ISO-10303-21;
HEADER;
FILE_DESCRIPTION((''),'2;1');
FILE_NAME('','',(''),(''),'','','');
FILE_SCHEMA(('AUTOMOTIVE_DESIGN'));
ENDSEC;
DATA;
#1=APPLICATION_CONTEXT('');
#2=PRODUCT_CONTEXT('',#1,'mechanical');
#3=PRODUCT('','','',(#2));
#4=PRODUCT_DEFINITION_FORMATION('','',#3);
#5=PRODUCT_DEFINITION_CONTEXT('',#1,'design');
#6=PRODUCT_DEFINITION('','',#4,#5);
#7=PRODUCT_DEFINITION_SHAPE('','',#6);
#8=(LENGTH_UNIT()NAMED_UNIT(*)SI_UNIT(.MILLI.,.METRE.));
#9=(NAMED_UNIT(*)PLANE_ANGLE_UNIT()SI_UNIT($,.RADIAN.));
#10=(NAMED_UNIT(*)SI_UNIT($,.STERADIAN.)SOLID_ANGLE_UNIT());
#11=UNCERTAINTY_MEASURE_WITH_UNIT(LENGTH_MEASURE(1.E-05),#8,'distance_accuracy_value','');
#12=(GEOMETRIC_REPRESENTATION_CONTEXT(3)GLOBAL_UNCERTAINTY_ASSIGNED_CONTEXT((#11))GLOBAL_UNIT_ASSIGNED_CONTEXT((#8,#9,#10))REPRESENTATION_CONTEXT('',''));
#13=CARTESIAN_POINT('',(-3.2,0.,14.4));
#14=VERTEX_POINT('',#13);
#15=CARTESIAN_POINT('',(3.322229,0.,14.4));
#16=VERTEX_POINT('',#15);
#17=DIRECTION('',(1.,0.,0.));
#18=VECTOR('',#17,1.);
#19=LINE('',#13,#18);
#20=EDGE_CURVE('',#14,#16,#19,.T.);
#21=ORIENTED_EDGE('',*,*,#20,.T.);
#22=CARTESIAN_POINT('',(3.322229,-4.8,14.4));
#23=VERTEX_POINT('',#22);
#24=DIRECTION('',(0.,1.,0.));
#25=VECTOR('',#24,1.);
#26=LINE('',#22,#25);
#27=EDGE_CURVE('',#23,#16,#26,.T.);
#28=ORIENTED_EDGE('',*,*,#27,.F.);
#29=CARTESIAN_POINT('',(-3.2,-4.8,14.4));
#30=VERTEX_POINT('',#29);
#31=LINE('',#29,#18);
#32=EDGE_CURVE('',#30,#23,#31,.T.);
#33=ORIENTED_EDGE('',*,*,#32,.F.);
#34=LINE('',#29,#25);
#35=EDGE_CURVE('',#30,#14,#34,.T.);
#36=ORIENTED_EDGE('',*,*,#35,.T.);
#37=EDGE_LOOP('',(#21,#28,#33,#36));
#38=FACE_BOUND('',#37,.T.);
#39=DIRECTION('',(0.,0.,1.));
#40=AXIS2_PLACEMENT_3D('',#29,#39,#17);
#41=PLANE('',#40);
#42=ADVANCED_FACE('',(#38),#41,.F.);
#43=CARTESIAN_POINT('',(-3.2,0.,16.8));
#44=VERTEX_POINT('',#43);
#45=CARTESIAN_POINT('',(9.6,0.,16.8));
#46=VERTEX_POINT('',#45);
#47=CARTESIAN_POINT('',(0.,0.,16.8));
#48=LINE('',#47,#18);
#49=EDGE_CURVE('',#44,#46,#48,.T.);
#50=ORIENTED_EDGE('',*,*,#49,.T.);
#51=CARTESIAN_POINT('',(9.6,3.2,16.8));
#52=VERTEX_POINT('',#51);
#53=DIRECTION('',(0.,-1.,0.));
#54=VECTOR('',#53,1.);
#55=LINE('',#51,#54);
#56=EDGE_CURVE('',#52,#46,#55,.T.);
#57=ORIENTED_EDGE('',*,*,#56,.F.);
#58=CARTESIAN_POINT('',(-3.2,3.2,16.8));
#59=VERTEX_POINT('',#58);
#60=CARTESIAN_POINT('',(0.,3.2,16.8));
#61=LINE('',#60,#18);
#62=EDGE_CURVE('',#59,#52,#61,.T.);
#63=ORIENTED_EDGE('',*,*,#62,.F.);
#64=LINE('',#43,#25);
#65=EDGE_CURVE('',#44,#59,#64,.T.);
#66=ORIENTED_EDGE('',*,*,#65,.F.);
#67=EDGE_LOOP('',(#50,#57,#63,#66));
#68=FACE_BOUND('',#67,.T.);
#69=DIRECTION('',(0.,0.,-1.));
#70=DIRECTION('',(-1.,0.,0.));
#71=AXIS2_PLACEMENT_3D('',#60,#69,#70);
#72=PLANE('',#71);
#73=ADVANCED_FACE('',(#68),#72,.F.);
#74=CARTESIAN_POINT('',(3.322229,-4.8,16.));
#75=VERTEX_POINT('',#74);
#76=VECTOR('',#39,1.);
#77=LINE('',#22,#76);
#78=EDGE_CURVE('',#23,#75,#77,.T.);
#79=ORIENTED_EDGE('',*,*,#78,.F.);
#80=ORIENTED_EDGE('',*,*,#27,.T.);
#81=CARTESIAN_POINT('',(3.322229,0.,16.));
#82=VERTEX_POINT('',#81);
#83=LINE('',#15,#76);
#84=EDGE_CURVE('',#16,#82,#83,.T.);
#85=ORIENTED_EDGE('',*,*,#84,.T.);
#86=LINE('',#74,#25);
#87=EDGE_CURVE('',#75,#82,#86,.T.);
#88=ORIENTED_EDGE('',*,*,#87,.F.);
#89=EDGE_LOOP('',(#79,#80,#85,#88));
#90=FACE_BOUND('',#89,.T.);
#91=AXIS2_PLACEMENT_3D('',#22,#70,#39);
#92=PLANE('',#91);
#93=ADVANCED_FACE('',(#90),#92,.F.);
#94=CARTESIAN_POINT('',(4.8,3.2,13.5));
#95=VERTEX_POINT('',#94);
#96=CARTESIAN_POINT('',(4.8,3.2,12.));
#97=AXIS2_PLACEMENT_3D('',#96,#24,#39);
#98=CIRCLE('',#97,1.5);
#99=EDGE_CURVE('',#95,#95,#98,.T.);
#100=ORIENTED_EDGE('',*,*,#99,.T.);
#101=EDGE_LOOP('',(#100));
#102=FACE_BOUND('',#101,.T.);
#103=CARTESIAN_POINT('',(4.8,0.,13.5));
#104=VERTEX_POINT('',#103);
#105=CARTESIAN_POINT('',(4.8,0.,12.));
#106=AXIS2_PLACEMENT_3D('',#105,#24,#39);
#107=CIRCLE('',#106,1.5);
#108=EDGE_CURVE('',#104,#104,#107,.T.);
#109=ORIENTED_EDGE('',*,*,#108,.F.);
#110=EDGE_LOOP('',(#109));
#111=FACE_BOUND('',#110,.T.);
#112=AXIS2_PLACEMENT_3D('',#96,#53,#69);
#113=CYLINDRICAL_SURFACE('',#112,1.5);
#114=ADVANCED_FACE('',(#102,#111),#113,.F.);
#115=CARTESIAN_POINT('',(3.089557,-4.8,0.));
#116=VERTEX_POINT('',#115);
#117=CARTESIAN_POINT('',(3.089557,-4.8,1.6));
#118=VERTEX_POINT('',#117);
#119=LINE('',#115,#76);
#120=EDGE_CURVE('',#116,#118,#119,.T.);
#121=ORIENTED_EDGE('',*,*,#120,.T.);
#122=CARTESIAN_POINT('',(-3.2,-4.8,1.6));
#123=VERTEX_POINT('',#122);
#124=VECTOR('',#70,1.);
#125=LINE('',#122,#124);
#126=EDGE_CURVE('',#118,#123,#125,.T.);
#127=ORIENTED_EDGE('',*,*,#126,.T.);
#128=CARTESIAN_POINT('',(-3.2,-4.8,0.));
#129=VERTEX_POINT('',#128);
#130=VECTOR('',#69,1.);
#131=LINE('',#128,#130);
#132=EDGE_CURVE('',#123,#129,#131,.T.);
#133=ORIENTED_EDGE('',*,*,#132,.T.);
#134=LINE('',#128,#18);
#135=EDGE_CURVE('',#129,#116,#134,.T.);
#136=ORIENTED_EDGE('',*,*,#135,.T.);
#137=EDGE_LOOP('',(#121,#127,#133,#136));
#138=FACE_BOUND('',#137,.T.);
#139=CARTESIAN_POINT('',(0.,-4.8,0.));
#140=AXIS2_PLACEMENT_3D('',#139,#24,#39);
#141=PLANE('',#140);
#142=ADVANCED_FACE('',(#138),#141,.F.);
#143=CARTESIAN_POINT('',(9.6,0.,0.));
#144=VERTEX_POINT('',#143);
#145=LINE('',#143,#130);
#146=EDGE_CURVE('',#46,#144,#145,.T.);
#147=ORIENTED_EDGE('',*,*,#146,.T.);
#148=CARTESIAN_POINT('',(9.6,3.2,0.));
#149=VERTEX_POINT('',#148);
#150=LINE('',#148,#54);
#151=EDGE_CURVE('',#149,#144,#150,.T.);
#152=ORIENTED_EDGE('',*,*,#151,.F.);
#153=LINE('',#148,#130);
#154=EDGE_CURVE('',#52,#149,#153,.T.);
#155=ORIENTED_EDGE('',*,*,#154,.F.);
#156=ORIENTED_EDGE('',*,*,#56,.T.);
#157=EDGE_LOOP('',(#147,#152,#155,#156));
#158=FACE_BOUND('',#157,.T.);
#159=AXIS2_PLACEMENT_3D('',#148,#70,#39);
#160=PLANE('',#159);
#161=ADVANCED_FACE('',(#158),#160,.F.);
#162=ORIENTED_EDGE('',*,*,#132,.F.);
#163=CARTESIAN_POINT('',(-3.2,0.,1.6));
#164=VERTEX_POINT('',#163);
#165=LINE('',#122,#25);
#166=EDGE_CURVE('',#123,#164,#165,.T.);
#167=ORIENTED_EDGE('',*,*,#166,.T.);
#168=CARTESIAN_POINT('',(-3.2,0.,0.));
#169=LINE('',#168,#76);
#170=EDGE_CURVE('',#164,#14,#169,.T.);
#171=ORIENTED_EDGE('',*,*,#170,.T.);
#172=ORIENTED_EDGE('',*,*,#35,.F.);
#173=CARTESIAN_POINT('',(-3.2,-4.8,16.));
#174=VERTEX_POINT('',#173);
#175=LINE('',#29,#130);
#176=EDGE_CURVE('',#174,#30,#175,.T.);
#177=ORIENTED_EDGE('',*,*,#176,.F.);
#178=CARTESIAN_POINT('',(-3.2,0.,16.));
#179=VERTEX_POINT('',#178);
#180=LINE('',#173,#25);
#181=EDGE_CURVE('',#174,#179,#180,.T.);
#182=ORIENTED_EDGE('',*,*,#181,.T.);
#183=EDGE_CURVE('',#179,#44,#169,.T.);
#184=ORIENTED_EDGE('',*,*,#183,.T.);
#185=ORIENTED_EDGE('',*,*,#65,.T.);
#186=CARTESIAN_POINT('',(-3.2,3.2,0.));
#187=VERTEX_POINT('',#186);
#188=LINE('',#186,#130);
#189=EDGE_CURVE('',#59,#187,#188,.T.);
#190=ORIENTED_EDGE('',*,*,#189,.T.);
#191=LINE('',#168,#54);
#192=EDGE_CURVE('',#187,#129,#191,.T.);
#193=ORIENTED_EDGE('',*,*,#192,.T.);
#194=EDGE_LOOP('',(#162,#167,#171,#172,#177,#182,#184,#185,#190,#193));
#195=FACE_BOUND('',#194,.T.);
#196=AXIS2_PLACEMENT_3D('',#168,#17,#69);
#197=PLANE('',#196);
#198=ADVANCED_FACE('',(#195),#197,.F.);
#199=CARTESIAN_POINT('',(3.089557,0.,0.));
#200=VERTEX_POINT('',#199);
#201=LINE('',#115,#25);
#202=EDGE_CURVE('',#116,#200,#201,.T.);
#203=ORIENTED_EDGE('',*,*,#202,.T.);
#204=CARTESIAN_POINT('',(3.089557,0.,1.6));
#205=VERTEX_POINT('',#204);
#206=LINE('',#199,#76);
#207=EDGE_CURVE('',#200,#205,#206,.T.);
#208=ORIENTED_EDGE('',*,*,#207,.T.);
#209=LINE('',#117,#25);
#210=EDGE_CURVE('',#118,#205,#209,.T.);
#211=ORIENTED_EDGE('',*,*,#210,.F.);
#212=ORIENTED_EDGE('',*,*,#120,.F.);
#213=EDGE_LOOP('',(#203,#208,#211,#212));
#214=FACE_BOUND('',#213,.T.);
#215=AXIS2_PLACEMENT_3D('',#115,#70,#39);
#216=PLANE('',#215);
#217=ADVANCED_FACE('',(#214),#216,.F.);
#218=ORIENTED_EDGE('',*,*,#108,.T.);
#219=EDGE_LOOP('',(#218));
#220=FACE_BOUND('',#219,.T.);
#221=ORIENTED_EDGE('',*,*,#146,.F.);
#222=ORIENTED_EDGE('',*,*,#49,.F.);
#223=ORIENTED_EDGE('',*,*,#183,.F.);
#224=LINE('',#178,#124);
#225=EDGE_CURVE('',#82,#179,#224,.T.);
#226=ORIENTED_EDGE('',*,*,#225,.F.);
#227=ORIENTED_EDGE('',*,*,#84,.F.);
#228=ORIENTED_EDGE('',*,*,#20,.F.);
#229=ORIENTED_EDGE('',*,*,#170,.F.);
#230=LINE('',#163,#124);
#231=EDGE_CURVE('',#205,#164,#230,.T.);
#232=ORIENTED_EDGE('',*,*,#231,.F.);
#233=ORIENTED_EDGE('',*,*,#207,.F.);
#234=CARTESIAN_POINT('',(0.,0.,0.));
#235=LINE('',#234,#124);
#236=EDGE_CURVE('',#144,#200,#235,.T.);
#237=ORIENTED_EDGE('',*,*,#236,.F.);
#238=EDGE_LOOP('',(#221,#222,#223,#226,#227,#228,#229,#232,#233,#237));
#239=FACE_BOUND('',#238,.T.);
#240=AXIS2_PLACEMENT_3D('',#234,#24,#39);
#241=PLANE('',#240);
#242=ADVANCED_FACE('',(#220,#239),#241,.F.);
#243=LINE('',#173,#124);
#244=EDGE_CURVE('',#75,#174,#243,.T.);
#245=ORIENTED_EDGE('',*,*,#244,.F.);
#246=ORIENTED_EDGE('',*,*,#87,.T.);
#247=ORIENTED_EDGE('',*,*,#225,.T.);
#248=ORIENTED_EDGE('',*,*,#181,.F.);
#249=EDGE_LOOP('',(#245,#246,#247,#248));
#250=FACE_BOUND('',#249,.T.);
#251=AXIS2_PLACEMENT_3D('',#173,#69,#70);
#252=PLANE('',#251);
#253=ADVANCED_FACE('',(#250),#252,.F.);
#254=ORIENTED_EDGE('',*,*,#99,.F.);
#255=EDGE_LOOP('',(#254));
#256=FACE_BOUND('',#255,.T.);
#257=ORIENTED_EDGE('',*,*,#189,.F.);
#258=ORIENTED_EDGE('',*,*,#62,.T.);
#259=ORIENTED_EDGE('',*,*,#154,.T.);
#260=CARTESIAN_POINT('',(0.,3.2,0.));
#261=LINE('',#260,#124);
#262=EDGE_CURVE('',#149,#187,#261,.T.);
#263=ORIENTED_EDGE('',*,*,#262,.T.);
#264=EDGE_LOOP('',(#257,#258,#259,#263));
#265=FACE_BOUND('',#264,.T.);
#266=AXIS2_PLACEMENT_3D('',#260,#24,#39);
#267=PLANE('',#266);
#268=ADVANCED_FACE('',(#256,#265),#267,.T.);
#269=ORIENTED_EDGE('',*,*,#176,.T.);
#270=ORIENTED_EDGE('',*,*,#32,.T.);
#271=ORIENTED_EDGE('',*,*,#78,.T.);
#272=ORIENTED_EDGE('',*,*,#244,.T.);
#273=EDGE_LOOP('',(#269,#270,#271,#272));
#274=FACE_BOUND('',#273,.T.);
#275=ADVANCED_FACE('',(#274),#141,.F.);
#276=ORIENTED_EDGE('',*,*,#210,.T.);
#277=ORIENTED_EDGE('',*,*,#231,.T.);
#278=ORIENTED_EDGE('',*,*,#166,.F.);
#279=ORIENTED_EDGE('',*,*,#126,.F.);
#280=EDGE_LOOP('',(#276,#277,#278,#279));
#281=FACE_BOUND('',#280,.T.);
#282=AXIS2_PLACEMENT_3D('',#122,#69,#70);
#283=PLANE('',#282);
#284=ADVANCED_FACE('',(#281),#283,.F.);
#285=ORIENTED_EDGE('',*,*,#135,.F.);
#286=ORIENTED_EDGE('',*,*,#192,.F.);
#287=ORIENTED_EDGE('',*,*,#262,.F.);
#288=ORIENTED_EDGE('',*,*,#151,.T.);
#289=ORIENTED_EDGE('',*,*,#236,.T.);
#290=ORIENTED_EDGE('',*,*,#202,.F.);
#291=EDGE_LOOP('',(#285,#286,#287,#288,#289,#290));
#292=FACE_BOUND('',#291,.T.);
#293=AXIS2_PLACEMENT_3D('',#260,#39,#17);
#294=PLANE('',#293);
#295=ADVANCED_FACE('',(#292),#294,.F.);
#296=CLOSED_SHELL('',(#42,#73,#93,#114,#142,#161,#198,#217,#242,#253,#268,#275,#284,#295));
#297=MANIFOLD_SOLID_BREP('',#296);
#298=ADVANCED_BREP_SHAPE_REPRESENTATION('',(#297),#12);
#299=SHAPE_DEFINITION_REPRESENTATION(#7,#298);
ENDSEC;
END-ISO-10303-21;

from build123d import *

# Parameters (mm, degrees)
SKETCH1_W           = 9.6
SKETCH1_H           = 16.8
SKETCH1_R           = 1.5
BOSS_EXTRUDE1_DEPTH = 3.2
SKETCH3_W           = 16.8
SKETCH3_H           = 3.2
BOSS_EXTRUDE2_DEPTH = 3.2
SKETCH4_W           = 6.522228594
SKETCH4_H           = 1.6
BOSS_EXTRUDE3_DEPTH = 4.8
SKETCH5_W           = 6.289556992
SKETCH5_H           = 1.6
BOSS_EXTRUDE4_DEPTH = 4.8


with BuildPart() as part:
    # Sketch1 → Boss-Extrude1 (new body)
    with BuildSketch(Plane(origin=(0, 0, 0), x_dir=(1, 0, 0), z_dir=(0, 1, 0))):
        with Locations((4.8, -8.4)):
            Rectangle(SKETCH1_W, SKETCH1_H)
        with Locations(Location((4.8, -12, 0), (0, 0, 270))):
            Circle(SKETCH1_R, mode=Mode.SUBTRACT)
    extrude(amount=BOSS_EXTRUDE1_DEPTH)

    # Sketch3 → Boss-Extrude2 (add)
    with BuildSketch(Plane.ZY):
        with Locations((8.4, 1.6)):
            Rectangle(SKETCH3_W, SKETCH3_H)
    extrude(amount=BOSS_EXTRUDE2_DEPTH)

    # Sketch4 → Boss-Extrude3 (add)
    with BuildSketch(Plane(origin=(0, 0, 0), x_dir=(-1, 0, 0), z_dir=(0, -1, 0))):
        with Locations((-0.061114297, -15.2)):
            Rectangle(SKETCH4_W, SKETCH4_H)
    extrude(amount=BOSS_EXTRUDE3_DEPTH)

    # Sketch5 → Boss-Extrude4 (add)
    with BuildSketch(Plane(origin=(0, 0, 0), x_dir=(-1, 0, 0), z_dir=(0, -1, 0))):
        with Locations((0.055221504, -0.8)):
            Rectangle(SKETCH5_W, SKETCH5_H)
    extrude(amount=BOSS_EXTRUDE4_DEPTH)


solid = part.part
